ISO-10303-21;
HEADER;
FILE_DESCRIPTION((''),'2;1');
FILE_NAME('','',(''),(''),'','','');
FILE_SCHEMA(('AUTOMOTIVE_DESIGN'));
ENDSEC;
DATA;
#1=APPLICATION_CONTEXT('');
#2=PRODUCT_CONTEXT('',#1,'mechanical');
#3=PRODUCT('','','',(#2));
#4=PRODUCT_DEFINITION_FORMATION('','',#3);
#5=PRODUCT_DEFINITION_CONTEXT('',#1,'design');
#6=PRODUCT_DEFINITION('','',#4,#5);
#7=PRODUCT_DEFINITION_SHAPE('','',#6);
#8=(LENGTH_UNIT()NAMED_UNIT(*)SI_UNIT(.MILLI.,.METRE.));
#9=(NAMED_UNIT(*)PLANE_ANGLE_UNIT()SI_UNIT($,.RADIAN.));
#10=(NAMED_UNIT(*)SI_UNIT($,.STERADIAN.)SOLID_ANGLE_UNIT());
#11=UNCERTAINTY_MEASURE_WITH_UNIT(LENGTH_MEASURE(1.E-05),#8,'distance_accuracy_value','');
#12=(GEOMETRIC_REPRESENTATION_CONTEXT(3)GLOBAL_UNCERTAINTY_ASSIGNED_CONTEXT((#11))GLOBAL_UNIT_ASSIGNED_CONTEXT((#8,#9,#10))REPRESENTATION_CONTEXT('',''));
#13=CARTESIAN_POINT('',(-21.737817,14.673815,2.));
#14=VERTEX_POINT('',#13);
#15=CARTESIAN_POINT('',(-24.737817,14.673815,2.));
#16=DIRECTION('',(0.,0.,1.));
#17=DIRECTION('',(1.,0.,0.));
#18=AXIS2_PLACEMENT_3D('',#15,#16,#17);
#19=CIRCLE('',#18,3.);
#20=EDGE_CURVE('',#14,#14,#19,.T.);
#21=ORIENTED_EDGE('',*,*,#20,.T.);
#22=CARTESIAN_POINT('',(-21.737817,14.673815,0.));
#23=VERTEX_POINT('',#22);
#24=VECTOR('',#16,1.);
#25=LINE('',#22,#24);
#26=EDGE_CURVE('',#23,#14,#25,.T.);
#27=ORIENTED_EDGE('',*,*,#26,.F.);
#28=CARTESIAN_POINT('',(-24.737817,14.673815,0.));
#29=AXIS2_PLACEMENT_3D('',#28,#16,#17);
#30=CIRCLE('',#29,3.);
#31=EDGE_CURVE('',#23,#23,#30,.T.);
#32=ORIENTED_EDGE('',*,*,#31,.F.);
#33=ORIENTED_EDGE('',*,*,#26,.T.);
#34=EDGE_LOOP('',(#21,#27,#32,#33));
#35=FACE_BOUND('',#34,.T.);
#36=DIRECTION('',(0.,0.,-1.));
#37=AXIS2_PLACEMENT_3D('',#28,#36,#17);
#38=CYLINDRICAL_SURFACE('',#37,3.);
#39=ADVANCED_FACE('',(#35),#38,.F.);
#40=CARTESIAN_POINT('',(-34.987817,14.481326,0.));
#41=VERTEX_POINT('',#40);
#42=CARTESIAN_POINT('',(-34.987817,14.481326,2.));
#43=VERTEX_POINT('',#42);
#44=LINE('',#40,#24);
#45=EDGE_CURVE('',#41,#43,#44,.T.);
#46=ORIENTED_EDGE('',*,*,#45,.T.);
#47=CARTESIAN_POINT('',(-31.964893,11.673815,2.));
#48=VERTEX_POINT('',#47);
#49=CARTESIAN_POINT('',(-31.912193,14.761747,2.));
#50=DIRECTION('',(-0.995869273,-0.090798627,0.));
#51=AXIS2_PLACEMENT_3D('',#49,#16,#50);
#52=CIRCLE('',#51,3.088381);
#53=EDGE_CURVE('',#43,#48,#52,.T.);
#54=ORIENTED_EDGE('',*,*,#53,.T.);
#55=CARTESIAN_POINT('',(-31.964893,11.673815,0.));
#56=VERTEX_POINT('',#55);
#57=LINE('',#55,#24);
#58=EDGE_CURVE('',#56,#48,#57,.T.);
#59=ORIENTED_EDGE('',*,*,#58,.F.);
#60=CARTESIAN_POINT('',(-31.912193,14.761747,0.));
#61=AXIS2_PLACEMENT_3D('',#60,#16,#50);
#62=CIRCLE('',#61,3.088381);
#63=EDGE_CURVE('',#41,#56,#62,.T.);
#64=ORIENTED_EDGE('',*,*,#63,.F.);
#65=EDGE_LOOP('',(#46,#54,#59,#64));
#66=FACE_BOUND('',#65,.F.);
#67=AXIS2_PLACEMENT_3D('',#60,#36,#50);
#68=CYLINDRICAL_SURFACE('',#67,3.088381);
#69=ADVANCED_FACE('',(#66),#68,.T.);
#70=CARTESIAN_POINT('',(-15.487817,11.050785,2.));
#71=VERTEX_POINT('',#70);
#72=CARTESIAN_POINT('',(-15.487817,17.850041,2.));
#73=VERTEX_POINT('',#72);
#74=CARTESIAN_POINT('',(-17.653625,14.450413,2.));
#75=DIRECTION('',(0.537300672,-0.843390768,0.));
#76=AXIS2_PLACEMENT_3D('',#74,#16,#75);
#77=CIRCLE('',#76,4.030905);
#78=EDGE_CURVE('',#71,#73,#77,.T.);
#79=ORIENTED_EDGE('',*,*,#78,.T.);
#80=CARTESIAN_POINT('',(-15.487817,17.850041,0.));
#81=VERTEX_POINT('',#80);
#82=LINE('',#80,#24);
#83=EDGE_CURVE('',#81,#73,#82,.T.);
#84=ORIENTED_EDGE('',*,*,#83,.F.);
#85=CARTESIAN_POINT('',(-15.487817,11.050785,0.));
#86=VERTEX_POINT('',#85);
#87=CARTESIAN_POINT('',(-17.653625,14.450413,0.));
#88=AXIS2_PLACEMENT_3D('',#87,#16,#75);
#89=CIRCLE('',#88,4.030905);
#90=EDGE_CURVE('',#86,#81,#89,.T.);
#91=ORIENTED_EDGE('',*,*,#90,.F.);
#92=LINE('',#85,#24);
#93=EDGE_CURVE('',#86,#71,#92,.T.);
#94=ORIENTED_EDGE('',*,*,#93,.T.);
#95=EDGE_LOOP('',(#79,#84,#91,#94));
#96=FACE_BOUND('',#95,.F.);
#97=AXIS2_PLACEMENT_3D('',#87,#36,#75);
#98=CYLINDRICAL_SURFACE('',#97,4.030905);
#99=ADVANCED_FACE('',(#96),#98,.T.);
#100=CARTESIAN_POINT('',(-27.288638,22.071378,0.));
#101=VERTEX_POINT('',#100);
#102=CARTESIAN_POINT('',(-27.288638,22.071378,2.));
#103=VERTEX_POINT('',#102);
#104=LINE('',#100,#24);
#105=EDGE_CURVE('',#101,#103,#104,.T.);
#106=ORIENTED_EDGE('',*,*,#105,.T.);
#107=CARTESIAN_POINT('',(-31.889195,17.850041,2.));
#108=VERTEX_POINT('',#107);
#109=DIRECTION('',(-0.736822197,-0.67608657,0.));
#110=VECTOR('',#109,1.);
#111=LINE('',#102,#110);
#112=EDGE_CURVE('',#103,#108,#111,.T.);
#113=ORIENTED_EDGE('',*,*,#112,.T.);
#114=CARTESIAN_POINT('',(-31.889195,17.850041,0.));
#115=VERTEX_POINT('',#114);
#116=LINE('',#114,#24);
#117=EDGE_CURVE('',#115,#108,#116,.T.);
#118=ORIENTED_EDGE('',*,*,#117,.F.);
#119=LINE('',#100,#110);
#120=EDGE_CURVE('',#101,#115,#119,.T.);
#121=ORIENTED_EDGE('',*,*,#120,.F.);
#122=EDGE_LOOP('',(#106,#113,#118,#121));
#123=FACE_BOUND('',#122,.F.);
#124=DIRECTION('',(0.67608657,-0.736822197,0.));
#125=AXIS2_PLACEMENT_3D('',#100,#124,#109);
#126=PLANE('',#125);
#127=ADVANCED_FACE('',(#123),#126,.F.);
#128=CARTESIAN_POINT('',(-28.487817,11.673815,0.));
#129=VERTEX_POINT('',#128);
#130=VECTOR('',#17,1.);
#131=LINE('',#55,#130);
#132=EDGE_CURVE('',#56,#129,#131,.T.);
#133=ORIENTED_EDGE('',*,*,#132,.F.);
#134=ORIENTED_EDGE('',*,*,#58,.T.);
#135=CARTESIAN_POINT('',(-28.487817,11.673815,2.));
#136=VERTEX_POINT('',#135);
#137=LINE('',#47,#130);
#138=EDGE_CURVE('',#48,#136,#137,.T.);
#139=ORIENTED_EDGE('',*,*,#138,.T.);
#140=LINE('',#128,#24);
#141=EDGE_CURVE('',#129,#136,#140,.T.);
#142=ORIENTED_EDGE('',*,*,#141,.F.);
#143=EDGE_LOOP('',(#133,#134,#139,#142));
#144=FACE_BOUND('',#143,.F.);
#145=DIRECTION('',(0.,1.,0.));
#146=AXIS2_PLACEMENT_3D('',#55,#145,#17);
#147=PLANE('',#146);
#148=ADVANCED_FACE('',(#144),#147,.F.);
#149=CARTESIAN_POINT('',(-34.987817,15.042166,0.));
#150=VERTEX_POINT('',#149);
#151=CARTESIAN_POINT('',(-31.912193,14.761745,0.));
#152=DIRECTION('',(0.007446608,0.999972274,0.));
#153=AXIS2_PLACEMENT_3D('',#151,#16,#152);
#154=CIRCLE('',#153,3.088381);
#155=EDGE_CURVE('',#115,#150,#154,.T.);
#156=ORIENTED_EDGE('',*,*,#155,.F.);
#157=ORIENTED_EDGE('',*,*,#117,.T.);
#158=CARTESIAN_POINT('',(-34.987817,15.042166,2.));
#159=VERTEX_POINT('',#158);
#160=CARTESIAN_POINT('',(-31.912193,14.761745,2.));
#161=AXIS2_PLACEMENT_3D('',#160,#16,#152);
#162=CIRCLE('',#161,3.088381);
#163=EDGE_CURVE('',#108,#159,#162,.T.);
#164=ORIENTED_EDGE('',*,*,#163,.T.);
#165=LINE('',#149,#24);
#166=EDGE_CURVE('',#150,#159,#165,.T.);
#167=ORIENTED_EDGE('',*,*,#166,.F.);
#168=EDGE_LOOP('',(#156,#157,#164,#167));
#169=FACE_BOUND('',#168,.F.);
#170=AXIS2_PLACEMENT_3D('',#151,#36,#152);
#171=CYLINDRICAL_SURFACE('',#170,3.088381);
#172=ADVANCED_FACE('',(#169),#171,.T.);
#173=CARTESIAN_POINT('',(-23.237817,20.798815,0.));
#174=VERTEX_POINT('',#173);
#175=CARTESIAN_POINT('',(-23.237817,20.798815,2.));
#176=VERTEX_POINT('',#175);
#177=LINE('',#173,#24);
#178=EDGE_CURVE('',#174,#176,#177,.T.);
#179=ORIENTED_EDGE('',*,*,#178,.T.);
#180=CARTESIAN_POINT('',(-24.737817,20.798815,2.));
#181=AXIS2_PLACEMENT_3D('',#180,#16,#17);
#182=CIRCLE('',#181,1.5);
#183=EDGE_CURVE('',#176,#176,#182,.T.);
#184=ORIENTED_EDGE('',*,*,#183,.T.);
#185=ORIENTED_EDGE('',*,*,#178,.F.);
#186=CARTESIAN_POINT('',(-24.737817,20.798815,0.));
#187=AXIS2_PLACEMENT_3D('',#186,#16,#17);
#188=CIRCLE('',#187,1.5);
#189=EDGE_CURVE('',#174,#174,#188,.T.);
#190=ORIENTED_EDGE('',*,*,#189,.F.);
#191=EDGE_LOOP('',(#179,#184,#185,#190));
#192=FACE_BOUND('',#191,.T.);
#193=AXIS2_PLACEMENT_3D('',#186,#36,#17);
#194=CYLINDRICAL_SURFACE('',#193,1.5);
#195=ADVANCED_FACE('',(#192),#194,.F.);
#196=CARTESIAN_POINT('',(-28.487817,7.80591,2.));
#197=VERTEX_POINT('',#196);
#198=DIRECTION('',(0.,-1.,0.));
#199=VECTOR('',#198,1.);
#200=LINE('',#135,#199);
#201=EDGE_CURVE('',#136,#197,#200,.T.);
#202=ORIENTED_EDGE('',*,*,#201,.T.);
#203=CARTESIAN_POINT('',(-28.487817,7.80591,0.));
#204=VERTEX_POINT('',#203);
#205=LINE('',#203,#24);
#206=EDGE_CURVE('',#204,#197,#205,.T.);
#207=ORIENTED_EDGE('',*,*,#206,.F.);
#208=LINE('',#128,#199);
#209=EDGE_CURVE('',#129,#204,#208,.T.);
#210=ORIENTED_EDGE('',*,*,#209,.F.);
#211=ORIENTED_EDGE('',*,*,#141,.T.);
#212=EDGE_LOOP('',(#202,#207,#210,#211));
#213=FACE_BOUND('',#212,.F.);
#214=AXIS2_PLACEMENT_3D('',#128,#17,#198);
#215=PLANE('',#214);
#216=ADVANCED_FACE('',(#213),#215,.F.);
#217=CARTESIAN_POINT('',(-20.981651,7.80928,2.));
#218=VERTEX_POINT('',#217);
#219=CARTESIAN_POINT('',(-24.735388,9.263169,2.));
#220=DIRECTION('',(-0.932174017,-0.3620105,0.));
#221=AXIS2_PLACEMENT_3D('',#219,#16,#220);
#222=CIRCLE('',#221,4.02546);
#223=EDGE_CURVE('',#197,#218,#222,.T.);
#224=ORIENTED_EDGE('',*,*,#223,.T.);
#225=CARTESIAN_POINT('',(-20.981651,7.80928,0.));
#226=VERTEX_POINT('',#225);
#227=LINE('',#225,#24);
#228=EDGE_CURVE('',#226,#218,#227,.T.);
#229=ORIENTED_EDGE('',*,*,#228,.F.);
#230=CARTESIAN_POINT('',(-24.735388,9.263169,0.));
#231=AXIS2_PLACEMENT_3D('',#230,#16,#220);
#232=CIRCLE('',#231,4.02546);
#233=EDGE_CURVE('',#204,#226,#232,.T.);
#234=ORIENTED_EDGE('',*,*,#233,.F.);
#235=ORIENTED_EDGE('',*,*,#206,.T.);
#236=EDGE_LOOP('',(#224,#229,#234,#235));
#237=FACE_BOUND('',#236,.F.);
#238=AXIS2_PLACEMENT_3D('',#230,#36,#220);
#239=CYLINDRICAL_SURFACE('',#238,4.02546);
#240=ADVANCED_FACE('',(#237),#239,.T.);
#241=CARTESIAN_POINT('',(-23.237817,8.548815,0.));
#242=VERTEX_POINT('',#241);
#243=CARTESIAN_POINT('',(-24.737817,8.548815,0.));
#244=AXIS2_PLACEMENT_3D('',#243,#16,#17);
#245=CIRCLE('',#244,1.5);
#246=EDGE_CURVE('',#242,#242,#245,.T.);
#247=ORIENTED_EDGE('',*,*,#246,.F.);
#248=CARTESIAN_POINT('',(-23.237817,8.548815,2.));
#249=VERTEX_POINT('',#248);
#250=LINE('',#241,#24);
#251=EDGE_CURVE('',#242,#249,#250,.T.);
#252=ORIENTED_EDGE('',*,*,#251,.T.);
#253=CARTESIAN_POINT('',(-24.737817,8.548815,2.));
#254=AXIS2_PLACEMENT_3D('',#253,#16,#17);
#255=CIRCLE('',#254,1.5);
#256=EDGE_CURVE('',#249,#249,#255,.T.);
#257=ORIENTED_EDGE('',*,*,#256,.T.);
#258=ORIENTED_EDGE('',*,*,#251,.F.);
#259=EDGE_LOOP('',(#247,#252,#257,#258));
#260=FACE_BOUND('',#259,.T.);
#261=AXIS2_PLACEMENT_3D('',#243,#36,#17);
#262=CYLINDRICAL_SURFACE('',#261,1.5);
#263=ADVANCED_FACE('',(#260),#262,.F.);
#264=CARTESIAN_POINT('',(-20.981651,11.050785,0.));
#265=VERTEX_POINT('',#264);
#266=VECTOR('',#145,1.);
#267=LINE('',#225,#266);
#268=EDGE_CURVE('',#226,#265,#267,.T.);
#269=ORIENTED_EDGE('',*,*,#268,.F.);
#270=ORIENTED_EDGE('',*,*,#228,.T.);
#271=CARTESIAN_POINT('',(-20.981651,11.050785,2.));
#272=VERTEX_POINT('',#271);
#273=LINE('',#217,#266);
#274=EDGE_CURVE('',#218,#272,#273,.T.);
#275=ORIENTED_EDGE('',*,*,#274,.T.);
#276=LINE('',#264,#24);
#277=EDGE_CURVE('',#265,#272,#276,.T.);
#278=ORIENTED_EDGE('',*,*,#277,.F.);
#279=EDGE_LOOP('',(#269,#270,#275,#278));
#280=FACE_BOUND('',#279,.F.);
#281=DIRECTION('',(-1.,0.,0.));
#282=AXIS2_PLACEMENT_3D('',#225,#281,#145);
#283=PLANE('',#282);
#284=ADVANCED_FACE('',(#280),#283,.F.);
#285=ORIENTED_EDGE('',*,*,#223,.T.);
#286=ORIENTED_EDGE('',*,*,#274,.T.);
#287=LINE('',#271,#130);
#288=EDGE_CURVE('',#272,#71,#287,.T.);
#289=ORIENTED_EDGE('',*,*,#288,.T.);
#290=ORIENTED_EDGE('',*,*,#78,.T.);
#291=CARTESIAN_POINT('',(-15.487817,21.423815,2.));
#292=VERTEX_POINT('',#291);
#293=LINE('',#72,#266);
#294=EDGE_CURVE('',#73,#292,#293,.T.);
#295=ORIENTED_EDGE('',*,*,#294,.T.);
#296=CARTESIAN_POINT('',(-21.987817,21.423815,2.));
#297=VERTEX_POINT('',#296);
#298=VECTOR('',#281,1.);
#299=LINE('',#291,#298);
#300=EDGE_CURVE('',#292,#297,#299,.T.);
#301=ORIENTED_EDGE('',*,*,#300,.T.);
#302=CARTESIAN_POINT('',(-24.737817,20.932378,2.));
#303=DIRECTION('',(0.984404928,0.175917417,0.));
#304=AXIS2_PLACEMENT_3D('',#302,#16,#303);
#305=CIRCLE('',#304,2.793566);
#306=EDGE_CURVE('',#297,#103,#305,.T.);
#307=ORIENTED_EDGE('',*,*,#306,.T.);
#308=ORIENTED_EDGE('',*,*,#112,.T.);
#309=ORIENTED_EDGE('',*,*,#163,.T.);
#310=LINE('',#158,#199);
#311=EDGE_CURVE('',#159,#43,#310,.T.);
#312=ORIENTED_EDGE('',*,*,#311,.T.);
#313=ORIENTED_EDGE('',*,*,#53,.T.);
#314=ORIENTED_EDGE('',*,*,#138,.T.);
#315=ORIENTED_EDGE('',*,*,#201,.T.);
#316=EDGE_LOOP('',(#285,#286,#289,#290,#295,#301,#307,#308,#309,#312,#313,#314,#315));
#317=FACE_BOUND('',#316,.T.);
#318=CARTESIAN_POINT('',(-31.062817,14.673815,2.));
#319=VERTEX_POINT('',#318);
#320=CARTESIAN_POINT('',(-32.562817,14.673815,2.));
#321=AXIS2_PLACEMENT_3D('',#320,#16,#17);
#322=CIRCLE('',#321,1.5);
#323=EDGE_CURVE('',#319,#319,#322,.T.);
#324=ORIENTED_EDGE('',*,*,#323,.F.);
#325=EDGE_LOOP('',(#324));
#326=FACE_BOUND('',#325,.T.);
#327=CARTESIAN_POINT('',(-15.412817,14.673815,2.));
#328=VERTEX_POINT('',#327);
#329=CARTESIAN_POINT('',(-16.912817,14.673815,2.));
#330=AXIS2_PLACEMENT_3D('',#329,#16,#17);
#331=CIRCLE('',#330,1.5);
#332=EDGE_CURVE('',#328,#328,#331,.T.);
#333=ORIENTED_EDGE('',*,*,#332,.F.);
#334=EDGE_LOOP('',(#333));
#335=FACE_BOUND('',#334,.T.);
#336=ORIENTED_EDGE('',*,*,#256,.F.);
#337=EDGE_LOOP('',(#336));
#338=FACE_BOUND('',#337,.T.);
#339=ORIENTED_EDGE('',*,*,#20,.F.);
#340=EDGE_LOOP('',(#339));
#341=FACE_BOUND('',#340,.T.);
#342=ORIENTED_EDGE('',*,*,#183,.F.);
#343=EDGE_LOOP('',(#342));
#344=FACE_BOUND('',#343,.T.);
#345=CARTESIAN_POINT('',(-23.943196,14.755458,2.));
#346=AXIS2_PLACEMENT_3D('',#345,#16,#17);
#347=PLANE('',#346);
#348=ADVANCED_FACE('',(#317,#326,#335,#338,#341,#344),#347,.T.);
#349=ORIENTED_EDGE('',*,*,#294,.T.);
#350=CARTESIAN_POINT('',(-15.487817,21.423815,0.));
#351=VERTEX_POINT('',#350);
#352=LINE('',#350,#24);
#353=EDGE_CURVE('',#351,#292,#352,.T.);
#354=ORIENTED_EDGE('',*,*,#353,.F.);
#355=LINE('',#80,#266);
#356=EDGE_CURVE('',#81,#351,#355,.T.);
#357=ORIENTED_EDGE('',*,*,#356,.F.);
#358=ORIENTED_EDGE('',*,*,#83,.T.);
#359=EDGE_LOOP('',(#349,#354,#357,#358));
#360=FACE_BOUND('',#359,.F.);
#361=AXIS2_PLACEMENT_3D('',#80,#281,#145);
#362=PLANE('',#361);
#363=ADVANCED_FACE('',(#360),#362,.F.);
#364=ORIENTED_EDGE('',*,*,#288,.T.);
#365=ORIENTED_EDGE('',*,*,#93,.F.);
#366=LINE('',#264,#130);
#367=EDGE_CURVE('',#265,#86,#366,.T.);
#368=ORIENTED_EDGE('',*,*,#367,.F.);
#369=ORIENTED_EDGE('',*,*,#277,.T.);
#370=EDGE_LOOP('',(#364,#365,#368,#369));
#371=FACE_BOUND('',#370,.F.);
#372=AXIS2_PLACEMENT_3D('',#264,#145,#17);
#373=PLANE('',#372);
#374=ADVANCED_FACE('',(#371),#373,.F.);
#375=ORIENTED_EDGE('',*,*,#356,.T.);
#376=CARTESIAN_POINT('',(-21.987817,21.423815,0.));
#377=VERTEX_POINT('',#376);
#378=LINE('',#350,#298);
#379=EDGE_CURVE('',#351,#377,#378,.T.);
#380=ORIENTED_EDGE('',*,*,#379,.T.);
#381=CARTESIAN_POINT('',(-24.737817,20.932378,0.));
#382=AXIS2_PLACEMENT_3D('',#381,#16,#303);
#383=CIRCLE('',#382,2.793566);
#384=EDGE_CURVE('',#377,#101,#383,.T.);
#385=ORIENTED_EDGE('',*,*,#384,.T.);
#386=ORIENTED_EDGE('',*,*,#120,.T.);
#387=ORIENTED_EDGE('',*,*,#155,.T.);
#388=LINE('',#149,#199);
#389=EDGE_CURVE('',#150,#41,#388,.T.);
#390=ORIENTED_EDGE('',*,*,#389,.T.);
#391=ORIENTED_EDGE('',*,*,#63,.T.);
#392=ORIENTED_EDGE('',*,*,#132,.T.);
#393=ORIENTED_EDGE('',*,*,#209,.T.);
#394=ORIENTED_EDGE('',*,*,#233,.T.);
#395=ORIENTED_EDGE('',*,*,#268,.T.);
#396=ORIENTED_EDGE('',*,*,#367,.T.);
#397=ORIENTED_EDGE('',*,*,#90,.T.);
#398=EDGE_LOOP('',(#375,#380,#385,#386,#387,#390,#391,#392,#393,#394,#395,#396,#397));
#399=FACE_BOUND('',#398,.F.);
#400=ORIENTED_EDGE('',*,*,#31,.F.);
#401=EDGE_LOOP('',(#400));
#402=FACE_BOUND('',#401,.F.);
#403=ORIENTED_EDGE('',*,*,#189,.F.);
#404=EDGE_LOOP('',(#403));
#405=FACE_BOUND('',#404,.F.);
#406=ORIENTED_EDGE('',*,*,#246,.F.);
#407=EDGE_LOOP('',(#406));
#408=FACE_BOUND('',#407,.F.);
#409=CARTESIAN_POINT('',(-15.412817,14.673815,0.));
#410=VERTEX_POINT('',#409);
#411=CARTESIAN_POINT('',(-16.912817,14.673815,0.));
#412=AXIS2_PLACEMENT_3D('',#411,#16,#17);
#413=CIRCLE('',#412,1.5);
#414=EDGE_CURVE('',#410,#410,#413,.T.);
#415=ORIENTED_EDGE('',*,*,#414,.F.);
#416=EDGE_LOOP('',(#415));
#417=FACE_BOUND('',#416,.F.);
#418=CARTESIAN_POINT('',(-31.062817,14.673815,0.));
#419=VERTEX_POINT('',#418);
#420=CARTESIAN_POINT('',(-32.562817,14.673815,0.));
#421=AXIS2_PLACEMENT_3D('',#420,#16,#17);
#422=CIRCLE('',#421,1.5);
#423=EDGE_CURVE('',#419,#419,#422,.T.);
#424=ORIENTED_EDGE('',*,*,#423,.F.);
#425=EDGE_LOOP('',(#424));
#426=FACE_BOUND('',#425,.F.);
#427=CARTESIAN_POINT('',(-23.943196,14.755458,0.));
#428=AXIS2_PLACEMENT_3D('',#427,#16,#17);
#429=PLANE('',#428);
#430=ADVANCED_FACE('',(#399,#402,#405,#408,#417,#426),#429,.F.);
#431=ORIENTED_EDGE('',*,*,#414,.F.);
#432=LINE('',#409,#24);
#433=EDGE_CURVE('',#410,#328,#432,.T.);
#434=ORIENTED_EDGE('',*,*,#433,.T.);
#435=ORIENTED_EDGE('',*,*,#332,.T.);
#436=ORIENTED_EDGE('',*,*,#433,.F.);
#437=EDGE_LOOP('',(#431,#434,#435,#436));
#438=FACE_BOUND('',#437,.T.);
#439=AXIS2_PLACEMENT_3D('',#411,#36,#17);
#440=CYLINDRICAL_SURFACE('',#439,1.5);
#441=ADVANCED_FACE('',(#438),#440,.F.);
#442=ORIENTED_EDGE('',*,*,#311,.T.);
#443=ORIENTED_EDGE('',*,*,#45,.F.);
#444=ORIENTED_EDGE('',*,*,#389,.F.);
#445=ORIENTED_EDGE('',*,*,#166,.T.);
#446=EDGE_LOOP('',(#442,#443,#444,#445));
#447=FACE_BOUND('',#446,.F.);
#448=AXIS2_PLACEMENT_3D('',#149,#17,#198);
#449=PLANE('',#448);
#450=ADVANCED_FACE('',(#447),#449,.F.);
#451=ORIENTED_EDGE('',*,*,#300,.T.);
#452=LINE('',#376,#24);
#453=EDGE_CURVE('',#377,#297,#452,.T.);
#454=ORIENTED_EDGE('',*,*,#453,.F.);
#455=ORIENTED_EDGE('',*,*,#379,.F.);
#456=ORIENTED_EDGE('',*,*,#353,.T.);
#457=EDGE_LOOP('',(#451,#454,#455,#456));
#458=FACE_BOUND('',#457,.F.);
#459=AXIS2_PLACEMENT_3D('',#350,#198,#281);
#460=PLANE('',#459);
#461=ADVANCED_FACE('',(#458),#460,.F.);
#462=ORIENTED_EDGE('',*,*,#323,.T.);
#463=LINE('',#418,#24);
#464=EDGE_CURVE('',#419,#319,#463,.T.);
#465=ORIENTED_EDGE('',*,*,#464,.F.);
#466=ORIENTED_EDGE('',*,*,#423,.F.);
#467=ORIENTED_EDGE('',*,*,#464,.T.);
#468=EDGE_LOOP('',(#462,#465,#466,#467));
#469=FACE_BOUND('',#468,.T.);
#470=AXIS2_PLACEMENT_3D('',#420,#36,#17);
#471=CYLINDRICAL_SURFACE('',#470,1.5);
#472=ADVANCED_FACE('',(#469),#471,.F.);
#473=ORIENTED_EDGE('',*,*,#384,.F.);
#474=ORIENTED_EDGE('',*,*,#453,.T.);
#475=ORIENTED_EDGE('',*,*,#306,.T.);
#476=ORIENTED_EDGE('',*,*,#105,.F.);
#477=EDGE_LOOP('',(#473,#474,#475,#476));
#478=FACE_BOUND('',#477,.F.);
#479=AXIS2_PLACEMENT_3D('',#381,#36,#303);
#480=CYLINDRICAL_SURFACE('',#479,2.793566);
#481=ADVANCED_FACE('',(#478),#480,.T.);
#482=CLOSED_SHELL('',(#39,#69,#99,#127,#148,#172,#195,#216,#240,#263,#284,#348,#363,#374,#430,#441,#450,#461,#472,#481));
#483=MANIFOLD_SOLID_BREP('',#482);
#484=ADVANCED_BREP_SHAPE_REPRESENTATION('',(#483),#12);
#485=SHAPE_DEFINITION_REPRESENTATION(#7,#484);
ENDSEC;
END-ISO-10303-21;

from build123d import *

# Parameters (mm, degrees)
F0_R     = 1.5
F0_R_2   = 3
F1_DEPTH = 2


with BuildPart() as f1:
    # F0 (on Top) → F1 (new body)
    with BuildSketch(Plane.XY):
        with BuildLine():
            Line((-31.964893, 11.673815), (-28.487817, 11.673815))
            Line((-28.487817, 11.673815), (-28.487817, 7.80591))
            ThreePointArc((-28.487817, 7.80591), (-24.73358, 5.237709), (-20.981651, 7.80928))
            Line((-20.981651, 7.80928), (-20.981651, 11.050785))
            Line((-20.981651, 11.050785), (-15.487817, 11.050785))
            ThreePointArc((-15.487817, 11.050785), (-13.62272, 14.450413), (-15.487817, 17.850041))
            Line((-15.487817, 17.850041), (-15.487817, 21.423815))
            Line((-15.487817, 21.423815), (-21.987817, 21.423815))
            ThreePointArc((-21.987817, 21.423815), (-24.399065, 23.705329), (-27.288638, 22.071378))
            Line((-27.288638, 22.071378), (-31.889195, 17.850041))
            ThreePointArc((-31.889195, 17.850041), (-33.985999, 17.050288), (-34.987817, 15.042166))
            Line((-34.987817, 15.042166), (-34.987817, 14.481326))
            ThreePointArc((-34.987817, 14.481326), (-34.01389, 12.498791), (-31.964893, 11.673815))
        make_face()
        with Locations((-24.737817, 8.548815)):
            Circle(F0_R, mode=Mode.SUBTRACT)
        with Locations((-32.562817, 14.673815)):
            Circle(F0_R, mode=Mode.SUBTRACT)
        with Locations((-24.737817, 14.673815)):
            Circle(F0_R_2, mode=Mode.SUBTRACT)
        with Locations((-24.737817, 20.798815)):
            Circle(F0_R, mode=Mode.SUBTRACT)
        with Locations((-16.912817, 14.673815)):
            Circle(F0_R, mode=Mode.SUBTRACT)
    extrude(amount=F1_DEPTH)


solid = f1.part
